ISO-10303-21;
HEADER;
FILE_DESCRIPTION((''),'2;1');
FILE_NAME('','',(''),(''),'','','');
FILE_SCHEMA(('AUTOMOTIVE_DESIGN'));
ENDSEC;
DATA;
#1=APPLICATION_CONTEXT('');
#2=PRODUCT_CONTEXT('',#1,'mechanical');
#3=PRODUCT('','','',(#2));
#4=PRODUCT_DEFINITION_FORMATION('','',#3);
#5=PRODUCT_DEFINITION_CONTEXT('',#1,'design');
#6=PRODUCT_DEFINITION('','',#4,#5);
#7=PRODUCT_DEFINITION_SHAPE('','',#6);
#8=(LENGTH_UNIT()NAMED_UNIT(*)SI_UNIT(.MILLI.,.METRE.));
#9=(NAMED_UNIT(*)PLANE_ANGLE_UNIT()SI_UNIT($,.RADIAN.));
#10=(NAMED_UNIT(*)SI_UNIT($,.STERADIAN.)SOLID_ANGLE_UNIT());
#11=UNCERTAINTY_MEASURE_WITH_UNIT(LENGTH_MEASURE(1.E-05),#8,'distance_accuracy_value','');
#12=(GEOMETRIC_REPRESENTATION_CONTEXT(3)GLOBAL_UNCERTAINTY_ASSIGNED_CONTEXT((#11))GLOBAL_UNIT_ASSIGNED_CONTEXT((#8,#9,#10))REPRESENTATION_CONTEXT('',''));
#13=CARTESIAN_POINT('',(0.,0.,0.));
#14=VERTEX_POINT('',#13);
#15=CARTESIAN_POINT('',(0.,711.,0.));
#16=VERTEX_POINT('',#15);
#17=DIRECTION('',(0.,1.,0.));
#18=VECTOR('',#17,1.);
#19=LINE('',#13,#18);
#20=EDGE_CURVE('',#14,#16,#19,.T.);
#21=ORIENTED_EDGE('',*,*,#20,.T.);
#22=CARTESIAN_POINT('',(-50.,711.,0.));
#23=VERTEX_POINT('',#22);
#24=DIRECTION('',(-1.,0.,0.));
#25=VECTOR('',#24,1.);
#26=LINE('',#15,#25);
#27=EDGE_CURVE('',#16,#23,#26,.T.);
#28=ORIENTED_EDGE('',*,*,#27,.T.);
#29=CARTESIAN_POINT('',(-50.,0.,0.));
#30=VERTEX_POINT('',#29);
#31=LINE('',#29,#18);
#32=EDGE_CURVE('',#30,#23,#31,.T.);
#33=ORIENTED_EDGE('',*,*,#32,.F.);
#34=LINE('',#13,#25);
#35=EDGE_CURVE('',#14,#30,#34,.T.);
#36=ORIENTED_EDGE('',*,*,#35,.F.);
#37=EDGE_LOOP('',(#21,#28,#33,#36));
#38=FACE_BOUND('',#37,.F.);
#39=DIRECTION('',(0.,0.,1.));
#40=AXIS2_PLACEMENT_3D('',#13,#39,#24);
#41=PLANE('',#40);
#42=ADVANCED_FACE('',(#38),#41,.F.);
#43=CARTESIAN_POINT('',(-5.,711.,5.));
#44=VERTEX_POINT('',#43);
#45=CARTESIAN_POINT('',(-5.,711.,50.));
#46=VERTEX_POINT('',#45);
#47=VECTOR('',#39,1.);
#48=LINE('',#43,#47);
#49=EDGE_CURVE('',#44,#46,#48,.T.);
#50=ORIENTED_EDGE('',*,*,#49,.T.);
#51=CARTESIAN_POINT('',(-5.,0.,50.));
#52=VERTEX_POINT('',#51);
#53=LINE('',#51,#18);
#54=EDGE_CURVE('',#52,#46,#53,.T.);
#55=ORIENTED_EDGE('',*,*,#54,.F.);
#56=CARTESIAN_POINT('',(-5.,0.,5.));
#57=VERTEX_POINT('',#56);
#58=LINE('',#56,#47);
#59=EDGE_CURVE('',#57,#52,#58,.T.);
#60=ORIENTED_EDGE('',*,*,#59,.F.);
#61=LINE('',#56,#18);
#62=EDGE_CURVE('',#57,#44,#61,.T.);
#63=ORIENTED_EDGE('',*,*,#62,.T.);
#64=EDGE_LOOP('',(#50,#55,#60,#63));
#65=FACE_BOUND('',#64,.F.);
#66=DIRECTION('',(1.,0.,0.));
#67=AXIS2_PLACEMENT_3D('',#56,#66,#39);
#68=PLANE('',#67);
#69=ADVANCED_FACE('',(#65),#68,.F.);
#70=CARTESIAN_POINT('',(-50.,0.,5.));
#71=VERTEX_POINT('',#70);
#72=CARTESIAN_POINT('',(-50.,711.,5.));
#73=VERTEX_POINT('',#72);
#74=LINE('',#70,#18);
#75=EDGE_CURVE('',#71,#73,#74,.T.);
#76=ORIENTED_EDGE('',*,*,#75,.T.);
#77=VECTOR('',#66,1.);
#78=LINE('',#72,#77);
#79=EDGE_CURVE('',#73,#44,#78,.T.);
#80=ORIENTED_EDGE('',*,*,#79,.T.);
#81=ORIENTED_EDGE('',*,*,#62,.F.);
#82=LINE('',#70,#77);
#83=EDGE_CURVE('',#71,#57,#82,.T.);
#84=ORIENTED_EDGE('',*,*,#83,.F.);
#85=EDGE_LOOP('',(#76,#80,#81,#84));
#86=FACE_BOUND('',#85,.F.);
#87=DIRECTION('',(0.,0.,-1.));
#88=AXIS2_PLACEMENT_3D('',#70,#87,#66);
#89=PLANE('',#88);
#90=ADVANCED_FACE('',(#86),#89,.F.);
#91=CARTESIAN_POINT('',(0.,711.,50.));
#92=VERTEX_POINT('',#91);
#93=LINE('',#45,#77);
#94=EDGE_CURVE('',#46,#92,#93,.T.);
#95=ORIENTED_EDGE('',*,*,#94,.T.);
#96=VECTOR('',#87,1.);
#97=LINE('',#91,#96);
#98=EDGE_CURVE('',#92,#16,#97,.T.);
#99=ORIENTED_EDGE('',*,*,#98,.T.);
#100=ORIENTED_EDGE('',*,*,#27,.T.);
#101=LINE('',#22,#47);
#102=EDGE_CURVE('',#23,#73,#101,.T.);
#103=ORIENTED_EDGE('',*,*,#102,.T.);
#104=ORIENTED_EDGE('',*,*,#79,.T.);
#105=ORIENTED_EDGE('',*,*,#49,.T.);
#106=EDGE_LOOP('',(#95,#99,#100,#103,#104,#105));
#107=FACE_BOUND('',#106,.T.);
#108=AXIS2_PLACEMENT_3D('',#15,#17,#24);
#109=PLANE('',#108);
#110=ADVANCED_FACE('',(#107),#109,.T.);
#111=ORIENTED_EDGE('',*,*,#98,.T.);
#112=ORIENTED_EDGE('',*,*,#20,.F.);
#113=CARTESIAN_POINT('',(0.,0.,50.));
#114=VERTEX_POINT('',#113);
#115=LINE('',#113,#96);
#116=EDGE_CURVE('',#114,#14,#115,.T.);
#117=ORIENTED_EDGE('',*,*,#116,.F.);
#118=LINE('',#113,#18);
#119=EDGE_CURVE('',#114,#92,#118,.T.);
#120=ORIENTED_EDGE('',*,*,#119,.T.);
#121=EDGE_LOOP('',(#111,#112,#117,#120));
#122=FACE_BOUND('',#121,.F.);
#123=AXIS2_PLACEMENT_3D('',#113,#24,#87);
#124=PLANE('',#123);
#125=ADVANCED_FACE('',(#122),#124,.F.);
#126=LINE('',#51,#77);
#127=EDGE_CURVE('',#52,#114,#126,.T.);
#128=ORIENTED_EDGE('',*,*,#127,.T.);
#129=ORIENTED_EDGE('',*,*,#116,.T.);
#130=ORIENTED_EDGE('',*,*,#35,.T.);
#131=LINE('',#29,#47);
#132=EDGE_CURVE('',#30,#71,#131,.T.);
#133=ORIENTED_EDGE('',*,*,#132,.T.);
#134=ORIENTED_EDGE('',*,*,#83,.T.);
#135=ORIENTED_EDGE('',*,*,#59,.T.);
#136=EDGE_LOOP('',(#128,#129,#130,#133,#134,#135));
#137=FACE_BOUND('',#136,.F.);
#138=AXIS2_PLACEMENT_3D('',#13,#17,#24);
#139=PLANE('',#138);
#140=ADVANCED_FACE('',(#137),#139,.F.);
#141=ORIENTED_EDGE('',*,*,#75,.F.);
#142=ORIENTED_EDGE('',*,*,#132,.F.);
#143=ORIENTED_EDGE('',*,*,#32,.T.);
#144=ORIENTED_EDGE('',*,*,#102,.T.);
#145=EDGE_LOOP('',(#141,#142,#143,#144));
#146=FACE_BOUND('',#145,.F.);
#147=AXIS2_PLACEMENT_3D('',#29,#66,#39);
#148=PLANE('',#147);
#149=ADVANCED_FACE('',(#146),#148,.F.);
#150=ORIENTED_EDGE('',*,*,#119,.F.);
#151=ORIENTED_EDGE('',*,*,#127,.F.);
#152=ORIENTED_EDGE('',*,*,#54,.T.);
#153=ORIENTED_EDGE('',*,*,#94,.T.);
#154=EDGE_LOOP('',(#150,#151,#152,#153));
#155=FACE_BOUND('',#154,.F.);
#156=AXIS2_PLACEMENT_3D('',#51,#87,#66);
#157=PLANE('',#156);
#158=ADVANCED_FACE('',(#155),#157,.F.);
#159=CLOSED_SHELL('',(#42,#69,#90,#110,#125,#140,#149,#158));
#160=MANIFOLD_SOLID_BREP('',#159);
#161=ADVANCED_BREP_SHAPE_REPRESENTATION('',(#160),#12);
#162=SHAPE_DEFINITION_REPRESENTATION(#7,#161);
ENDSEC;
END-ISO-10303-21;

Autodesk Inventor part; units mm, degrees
ref_plane "YZ Plane" through (0, 0, 0) normal (1, 0, 0) x (0, 1, 0)
ref_plane "XZ Plane" through (0, 0, 0) normal (0, 1, 0) x (-1, 0, 0)
ref_plane "XY Plane" through (0, 0, 0) normal (0, 0, 1) x (1, 0, 0)
sketch "Sketch1" plane through (0, 0, 0) normal (0, 1, 0) x (-1, 0, 0)
  line L0 (0, 50) -> (0, 0)
  line L1 (0, 0) -> (50, 0)
  line L2 (50, 0) -> (50, 5)
  line L3 (50, 5) -> (5, 5)
  line L4 (5, 5) -> (5, 50)
  line L5 (5, 50) -> (0, 50)
  dimension "d0" = 50
  dimension "d1" = 50
  dimension "d3" = 5
  dimension "d4" = 5
extrude "Extrusion1" add sketch "Sketch1" along normal blind 711
properties part number "YaxisUgolok"
